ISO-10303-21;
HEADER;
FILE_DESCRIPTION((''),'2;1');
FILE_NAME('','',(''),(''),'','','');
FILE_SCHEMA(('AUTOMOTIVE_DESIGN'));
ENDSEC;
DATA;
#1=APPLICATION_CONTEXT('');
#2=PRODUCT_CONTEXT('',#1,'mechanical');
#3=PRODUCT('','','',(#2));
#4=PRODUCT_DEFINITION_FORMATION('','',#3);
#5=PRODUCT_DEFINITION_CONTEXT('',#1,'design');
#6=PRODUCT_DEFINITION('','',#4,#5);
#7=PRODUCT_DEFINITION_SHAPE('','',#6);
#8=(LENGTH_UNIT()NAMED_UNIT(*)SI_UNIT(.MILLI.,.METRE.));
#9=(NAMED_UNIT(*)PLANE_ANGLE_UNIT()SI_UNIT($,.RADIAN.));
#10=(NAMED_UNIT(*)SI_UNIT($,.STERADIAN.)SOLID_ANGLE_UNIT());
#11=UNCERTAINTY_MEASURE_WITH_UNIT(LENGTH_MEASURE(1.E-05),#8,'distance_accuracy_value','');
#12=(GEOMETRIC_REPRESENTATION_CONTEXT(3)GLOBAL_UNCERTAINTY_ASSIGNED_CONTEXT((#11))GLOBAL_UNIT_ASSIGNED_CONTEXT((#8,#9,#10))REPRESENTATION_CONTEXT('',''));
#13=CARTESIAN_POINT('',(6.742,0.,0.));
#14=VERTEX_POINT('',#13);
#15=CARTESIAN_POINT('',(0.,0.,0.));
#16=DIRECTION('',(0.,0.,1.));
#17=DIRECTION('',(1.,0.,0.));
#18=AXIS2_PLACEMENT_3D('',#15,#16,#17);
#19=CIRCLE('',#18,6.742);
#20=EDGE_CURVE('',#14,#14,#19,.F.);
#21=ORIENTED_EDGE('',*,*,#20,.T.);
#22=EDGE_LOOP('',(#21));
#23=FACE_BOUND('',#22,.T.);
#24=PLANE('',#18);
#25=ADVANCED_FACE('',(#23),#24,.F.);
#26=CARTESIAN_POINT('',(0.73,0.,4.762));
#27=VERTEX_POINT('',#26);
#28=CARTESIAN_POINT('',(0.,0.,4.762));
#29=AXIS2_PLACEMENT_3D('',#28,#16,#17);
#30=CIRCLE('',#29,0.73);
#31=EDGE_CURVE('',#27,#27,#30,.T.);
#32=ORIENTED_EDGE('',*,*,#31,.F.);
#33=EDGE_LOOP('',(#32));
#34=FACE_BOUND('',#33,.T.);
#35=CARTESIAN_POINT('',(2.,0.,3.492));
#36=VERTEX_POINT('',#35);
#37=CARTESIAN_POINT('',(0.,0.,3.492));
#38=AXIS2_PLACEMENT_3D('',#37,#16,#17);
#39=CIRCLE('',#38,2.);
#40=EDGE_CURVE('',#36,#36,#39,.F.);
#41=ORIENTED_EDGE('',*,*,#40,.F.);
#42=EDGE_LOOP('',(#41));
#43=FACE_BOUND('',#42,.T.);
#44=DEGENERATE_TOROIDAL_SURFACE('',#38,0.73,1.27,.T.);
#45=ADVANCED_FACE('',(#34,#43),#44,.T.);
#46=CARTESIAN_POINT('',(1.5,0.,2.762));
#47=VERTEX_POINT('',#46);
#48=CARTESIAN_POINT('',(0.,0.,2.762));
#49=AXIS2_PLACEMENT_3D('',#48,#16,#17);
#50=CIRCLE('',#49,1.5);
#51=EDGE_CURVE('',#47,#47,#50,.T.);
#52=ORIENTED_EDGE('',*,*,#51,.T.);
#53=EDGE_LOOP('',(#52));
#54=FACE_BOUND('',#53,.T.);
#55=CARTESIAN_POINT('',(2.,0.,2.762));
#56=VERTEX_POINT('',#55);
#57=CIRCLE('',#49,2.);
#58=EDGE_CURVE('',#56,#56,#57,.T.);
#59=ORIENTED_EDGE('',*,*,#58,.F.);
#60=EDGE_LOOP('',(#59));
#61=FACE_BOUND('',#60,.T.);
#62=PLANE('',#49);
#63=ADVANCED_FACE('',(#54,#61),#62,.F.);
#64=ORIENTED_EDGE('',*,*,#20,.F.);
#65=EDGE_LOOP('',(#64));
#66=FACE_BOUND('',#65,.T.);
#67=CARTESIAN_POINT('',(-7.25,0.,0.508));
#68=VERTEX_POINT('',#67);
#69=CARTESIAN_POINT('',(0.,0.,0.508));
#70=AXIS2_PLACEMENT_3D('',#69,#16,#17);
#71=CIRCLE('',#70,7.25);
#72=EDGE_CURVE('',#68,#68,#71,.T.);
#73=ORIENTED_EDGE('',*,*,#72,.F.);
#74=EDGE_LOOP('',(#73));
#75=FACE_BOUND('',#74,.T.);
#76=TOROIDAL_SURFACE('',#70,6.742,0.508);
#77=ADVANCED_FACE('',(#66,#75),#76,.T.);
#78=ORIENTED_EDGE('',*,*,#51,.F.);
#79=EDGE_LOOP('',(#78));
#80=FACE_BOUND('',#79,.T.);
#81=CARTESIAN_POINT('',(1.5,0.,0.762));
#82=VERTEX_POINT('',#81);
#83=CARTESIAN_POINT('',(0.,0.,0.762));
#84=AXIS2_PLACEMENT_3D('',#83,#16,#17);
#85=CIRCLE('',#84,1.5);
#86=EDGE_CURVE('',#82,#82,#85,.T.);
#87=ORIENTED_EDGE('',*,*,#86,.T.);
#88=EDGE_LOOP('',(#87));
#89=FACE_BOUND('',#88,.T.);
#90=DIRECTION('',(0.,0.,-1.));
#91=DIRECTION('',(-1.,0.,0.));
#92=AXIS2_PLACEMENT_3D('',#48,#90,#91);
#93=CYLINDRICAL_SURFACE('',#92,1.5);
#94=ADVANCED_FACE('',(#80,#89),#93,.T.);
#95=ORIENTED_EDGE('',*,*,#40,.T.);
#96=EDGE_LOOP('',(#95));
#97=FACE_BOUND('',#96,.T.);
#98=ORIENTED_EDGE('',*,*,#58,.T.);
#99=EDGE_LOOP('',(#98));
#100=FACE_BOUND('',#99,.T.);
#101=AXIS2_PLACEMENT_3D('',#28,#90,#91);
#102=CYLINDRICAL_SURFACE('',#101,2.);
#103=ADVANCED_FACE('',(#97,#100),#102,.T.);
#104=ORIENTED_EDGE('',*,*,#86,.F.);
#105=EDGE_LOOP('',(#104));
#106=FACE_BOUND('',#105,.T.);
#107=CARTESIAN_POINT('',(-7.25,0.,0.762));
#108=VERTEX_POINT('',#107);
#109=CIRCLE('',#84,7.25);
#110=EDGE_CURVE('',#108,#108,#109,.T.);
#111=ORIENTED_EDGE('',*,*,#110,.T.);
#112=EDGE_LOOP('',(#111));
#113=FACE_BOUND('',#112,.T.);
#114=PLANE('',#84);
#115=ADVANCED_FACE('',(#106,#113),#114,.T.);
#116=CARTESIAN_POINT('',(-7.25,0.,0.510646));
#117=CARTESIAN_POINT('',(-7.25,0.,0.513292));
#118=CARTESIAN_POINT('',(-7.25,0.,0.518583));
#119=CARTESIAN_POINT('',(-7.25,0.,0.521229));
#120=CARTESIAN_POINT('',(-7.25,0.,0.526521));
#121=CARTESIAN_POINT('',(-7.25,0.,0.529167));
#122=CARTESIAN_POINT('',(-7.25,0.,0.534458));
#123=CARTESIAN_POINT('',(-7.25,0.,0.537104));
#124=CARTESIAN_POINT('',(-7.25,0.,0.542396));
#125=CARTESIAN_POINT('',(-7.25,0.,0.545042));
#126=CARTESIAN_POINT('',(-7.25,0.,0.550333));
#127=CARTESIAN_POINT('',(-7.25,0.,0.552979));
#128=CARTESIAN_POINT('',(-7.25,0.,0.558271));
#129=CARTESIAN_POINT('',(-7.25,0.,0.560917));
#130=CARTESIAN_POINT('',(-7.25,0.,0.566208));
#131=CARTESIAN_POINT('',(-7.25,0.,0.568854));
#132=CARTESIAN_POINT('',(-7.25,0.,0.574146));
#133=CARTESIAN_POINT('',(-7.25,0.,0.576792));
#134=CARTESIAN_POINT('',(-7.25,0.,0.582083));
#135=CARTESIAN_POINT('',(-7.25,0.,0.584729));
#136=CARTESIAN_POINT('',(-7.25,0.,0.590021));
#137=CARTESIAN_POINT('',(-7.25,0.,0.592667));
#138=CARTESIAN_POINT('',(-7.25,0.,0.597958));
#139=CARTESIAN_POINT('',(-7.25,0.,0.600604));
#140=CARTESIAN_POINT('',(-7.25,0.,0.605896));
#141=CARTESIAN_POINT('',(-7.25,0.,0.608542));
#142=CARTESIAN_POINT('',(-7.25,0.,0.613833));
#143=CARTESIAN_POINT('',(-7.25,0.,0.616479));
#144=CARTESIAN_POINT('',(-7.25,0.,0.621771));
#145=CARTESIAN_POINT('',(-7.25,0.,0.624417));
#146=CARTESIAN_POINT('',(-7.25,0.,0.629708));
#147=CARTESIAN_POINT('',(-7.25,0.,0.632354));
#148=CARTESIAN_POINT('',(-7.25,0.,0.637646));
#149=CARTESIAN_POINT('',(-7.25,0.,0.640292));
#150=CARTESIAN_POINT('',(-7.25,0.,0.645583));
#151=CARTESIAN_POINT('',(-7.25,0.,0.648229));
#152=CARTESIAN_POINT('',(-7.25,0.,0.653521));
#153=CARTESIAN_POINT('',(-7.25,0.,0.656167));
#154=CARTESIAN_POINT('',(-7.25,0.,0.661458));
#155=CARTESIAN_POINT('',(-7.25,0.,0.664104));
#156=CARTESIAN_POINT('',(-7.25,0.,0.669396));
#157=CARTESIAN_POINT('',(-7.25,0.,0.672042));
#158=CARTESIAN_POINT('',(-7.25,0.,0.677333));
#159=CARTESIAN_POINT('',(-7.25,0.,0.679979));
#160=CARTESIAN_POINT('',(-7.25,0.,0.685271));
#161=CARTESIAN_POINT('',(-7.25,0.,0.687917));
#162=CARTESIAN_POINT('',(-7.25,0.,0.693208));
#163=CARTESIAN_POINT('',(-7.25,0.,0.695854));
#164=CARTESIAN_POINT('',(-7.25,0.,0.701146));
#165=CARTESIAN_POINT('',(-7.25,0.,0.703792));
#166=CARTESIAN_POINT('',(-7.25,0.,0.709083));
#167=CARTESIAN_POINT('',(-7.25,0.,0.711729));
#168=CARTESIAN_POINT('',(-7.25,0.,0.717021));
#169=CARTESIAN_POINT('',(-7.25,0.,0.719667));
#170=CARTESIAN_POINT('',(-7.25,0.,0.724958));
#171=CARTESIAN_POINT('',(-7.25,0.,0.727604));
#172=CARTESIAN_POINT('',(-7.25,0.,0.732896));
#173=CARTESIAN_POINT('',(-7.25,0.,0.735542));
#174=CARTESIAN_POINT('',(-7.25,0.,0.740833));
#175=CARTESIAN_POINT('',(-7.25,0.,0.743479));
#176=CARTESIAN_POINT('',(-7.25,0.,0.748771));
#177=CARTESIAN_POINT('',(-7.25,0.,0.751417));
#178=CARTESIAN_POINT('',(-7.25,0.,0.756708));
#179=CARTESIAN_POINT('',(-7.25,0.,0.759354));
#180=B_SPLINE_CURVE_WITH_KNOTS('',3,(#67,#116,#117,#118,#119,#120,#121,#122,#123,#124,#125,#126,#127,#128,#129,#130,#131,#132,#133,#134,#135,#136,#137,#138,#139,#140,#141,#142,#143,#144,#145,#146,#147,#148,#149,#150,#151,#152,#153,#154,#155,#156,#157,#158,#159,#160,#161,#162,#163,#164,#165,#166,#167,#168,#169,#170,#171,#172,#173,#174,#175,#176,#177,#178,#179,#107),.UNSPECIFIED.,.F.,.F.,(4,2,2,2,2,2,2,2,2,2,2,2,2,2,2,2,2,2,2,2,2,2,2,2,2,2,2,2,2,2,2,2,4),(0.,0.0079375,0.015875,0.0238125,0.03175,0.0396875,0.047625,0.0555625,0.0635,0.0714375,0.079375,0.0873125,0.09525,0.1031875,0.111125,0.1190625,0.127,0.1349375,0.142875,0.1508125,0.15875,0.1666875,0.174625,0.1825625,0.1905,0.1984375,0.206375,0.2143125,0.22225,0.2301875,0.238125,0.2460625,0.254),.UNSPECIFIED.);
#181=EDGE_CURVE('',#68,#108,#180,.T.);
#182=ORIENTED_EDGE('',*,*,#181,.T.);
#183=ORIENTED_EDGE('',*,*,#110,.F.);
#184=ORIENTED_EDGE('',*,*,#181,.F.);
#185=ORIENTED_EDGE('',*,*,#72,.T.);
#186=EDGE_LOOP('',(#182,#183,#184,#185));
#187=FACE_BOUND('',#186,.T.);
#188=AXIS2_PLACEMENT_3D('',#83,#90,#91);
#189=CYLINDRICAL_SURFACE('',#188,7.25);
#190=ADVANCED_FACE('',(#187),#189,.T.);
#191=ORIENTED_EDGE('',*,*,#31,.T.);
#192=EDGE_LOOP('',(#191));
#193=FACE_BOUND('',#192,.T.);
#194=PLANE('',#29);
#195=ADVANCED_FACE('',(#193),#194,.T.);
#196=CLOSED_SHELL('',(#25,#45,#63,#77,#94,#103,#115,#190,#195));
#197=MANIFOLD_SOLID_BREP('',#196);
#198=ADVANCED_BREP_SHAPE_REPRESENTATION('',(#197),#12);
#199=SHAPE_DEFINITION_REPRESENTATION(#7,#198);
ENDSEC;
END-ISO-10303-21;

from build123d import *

# Parameters (mm, degrees)
SKETCH1_R           = 7.25
BOSS_EXTRUDE1_DEPTH = 0.762
FILLET1_R           = 0.508
SKETCH2_R           = 1.5
BOSS_EXTRUDE2_DEPTH = 2
SKETCH3_R           = 2
BOSS_EXTRUDE3_DEPTH = 2
FILLET2_R           = 1.27


with BuildPart() as part:
    # Sketch1 → Boss-Extrude1 (new body)
    with BuildSketch(Plane.XY):
        with Locations(Location((0, 0, 0), (0, 0, 180))):
            Circle(SKETCH1_R)
    extrude(amount=BOSS_EXTRUDE1_DEPTH)

    # Fillet1
    fillet1_edges = [part.edges().sort_by_distance(p)[0] for p in [
        (7.25, 0, 0),
    ]]
    fillet(fillet1_edges, radius=FILLET1_R)

    # Sketch2 → Boss-Extrude2 (add)
    with BuildSketch(Plane.XY.offset(0.762)):
        Circle(SKETCH2_R)
    extrude(amount=BOSS_EXTRUDE2_DEPTH)

    # Sketch3 → Boss-Extrude3 (add)
    with BuildSketch(Plane.XY.offset(2.762)):
        Circle(SKETCH3_R)
    extrude(amount=BOSS_EXTRUDE3_DEPTH)

    # Fillet2
    fillet2_edges = [part.edges().sort_by_distance(p)[0] for p in [
        (-2, 0, 4.762),
    ]]
    fillet(fillet2_edges, radius=FILLET2_R)


solid = part.part
